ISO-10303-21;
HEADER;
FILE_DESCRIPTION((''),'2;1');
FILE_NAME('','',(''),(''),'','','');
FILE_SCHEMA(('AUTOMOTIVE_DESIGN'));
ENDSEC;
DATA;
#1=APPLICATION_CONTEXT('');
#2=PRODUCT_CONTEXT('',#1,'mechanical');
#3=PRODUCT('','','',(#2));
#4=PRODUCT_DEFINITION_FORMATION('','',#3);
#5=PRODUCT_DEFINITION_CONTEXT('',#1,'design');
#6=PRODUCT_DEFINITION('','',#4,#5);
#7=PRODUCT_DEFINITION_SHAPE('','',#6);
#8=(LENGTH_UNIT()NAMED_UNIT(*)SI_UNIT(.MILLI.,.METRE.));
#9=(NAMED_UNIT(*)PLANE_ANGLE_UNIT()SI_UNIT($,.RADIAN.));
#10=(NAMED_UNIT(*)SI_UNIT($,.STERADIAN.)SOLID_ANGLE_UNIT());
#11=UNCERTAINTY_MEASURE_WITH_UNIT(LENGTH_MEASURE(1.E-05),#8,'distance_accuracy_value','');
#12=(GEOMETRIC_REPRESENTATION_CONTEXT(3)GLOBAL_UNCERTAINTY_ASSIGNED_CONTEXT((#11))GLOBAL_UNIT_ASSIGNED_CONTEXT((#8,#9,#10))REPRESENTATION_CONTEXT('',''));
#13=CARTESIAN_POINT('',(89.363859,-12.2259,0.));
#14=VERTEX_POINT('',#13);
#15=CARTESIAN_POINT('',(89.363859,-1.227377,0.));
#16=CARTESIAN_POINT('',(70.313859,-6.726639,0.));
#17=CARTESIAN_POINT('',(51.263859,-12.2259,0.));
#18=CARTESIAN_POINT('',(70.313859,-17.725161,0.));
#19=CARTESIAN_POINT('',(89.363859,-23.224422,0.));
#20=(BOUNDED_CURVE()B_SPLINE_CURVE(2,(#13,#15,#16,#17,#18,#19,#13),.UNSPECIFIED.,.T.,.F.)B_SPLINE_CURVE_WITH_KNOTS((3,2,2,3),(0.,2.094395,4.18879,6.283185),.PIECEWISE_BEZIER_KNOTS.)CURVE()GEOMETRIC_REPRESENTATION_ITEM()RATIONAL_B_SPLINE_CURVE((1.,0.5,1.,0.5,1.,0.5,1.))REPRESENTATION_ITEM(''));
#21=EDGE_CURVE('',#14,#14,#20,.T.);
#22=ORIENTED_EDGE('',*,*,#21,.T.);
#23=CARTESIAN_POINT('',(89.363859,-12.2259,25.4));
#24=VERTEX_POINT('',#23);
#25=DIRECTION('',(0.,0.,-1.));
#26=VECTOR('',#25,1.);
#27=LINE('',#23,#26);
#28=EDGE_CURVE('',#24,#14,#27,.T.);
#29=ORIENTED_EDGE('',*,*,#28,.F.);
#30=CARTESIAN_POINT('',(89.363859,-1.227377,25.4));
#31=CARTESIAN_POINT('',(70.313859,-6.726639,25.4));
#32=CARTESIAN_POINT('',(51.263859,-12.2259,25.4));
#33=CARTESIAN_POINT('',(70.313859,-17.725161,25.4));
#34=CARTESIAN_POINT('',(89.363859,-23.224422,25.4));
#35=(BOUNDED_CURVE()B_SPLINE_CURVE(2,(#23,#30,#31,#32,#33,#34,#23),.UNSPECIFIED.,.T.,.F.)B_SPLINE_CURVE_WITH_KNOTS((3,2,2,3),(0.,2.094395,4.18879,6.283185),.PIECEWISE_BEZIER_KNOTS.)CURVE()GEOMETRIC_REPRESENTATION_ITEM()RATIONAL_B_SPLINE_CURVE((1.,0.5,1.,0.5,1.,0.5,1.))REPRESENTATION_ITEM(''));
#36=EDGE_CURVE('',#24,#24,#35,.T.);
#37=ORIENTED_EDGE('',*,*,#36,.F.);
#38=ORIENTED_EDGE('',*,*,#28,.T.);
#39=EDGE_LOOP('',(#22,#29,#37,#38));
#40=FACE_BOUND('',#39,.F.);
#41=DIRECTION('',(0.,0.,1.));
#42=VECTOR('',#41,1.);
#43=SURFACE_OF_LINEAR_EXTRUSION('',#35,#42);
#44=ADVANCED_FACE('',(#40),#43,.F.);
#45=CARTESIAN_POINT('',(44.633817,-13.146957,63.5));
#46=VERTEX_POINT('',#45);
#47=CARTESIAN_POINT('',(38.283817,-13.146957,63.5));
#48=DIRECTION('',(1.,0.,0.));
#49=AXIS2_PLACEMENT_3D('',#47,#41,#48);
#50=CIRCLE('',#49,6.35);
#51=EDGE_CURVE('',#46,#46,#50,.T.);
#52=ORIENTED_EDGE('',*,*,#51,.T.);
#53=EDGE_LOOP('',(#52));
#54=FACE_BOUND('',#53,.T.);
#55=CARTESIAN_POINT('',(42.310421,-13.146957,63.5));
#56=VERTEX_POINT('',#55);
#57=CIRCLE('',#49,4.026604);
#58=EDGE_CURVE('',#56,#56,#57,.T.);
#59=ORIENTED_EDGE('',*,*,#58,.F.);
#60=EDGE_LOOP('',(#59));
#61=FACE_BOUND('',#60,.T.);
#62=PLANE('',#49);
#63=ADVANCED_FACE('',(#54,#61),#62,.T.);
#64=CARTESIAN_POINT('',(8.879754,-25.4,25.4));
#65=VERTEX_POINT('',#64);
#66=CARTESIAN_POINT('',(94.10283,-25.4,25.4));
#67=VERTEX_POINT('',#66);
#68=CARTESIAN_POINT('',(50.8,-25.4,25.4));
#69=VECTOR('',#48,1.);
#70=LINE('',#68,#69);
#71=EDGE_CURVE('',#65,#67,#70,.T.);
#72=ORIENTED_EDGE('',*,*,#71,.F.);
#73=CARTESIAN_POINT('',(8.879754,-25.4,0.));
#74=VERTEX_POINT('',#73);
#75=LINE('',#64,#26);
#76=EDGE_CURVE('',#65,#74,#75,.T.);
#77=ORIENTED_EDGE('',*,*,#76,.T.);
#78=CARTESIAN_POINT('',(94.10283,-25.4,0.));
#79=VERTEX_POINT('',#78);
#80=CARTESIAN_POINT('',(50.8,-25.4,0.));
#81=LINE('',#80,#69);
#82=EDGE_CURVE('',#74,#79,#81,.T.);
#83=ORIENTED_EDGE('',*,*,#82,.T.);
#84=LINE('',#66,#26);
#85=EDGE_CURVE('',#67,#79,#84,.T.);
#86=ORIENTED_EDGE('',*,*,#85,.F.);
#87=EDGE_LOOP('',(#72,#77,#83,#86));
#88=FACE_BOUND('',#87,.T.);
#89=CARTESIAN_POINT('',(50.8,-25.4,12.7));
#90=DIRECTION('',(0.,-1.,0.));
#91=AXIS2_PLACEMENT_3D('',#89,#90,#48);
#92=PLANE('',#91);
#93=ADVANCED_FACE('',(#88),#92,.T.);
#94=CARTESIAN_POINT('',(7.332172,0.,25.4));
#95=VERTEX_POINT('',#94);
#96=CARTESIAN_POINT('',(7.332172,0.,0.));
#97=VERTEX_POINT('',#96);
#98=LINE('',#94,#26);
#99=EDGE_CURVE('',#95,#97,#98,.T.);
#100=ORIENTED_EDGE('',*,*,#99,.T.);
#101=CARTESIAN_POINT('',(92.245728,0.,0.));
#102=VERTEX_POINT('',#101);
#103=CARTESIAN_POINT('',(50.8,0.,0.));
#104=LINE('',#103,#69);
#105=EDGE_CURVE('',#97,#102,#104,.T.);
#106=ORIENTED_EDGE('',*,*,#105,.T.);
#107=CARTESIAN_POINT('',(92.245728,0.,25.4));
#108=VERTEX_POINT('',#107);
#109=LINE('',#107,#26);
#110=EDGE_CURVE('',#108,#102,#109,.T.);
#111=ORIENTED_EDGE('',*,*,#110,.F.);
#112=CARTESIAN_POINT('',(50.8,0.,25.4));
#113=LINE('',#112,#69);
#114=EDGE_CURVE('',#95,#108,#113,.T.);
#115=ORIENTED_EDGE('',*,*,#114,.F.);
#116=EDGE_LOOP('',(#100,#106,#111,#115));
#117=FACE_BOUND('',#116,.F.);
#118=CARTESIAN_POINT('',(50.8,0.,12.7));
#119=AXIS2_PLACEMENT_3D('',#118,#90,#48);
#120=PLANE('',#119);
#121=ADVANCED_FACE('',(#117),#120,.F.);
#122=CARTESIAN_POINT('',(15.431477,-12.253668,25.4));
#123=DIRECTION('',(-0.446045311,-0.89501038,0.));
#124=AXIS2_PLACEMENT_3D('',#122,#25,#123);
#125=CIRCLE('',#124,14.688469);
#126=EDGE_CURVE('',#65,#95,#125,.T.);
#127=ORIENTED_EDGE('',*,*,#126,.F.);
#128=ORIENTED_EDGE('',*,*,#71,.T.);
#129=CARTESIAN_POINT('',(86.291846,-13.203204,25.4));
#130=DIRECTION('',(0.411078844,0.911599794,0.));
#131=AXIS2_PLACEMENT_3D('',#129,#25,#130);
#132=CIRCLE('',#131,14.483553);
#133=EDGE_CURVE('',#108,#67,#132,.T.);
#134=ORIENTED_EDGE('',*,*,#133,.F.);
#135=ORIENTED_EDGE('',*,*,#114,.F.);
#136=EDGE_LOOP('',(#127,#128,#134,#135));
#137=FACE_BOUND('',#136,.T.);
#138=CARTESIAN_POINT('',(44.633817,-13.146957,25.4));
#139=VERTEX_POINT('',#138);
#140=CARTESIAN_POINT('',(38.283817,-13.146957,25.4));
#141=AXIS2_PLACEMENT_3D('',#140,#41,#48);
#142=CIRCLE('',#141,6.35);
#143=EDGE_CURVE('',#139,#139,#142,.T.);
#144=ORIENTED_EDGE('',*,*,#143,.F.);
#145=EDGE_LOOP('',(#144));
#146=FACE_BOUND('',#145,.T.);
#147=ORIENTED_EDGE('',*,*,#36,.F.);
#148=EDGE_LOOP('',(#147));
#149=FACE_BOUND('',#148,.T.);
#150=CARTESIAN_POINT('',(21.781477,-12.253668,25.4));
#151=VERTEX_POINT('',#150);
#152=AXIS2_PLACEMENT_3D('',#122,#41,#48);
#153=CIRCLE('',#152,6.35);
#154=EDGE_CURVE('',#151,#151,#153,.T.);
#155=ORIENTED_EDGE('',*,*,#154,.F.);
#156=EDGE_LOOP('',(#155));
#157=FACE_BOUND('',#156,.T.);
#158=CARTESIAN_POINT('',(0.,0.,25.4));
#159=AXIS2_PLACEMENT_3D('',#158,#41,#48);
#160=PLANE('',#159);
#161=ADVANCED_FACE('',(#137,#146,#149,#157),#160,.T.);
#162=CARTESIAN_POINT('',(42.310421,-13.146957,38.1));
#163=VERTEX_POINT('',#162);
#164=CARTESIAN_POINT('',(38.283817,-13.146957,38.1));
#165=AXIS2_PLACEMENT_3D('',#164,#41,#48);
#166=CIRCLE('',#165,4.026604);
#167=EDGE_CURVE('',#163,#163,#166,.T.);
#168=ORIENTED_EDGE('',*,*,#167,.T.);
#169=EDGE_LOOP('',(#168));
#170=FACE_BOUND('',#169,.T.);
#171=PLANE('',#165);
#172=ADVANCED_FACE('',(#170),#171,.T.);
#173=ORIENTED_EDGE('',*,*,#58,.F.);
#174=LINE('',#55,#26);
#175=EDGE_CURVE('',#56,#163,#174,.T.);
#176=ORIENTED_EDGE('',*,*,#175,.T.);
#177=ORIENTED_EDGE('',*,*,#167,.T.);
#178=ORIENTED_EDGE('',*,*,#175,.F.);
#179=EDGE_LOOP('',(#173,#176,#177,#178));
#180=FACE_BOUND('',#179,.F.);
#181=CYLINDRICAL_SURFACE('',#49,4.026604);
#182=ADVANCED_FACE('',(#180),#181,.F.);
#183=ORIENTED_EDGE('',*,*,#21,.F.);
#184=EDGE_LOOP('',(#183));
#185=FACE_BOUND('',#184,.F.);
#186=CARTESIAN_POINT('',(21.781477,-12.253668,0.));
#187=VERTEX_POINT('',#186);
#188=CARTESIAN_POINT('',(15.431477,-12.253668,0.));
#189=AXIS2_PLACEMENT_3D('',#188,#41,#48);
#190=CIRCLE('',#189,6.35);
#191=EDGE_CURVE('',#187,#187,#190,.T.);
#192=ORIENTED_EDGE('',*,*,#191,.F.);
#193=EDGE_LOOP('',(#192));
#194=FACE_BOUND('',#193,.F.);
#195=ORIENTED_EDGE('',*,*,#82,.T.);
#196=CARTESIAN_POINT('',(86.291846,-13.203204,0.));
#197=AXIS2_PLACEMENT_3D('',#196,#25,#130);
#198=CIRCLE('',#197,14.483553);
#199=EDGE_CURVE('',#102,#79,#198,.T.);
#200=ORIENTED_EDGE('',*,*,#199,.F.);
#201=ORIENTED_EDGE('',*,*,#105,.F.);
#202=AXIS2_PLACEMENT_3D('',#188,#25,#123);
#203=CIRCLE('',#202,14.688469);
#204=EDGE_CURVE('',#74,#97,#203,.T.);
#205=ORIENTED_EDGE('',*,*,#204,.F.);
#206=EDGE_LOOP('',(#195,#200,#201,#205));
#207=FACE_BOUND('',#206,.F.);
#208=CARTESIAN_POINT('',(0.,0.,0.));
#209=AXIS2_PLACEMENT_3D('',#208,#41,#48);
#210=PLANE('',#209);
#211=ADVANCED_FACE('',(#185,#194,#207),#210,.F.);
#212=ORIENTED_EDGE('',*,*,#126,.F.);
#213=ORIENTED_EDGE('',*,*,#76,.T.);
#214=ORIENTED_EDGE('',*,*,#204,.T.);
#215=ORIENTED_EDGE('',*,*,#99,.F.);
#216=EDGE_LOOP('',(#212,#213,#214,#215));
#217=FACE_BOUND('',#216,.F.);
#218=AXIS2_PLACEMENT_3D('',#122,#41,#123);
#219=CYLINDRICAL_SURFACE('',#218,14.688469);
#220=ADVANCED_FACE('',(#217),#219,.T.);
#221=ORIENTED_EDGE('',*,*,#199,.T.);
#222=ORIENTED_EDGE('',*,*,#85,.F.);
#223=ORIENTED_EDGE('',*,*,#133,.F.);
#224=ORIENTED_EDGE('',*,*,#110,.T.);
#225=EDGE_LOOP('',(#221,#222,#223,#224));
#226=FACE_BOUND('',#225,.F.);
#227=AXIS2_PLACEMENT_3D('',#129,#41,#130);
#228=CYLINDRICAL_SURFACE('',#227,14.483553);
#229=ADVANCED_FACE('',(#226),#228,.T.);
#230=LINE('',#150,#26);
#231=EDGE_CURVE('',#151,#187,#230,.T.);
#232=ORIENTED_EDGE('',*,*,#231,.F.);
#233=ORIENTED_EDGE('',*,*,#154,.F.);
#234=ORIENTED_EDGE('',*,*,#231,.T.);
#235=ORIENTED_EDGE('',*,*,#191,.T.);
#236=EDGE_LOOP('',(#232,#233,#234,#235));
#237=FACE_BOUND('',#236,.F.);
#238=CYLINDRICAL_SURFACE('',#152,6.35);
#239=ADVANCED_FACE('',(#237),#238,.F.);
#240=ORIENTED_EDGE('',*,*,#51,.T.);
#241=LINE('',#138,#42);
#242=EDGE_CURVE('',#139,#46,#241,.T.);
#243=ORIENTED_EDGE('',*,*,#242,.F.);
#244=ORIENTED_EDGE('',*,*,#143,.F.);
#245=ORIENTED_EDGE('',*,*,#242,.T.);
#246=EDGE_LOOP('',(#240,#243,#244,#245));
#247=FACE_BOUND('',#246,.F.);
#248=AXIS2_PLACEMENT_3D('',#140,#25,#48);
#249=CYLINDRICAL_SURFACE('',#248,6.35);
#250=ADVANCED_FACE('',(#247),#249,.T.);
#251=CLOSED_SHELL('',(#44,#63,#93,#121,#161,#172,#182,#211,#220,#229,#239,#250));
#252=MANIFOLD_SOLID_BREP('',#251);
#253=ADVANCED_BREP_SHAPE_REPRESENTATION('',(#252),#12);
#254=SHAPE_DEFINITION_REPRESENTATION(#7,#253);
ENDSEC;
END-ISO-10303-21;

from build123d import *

# Parameters (mm, degrees)
F0_W      = 101.6
F0_H      = 25.4
F1_DEPTH  = 25.4
F3_DEPTH  = 25.4
F5_DEPTH  = 25.4
F6_R      = 6.35
F7_DEPTH  = 25.4
F9_DEPTH  = 25.4
F10_R     = 6.35
F11_DEPTH = 38.1
F12_R     = 4.026604
F13_DEPTH = 25.4


with BuildPart() as f1:
    # F0 (on Front) → F1 (new body)
    with BuildSketch(Plane.XZ):
        with Locations((50.8, 12.7)):
            Rectangle(F0_W, F0_H)
    extrude(amount=F1_DEPTH)

    # F2 (on face) → F3 (cut)
    with BuildSketch(Plane.XY.offset(25.4)):
        with BuildLine():
            ThreePointArc((92.245728, 0), (100.736841, -12.147069), (94.10283, -25.4))
            Line((94.10283, -25.4), (101.6, -25.4))
            Line((101.6, -25.4), (101.6, 0))
            Line((101.6, 0), (92.245728, 0))
        make_face()
    extrude(amount=-F3_DEPTH, mode=Mode.SUBTRACT)

    # F4 (on face) → F5 (cut)
    with BuildSketch(Plane.XY.offset(25.4)):
        with BuildLine():
            ThreePointArc((8.879754, -25.4), (0.770196, -13.146957), (7.332172, 0))
            Line((7.332172, 0), (0, 0))
            Line((0, 0), (0, -25.4))
            Line((0, -25.4), (8.879754, -25.4))
        make_face()
    extrude(amount=-F5_DEPTH, mode=Mode.SUBTRACT)

    # F6 (on face) → F7 (cut)
    with BuildSketch(Plane.XY.offset(25.4)):
        with Locations((15.431477, -12.253668)):
            Circle(F6_R)
    extrude(amount=-F7_DEPTH, mode=Mode.SUBTRACT)

    # F8 (on face) → F9 (cut)
    with BuildSketch(Plane.XY.offset(25.4)):
        with BuildLine():
            add(Edge.make_bspline(
                [(89.363859, -12.2259), (89.363859, -1.227377), (70.313859, -6.726639), (51.263859, -12.2259), (70.313859, -17.725161), (89.363859, -23.224422), (89.363859, -12.2259)],
                knots=[0, 0, 0, 2.094395, 2.094395, 4.18879, 4.18879, 6.283185, 6.283185, 6.283185], degree=2, weights=[1, 0.5, 1, 0.5, 1, 0.5, 1]))
        make_face()
    extrude(amount=-F9_DEPTH, mode=Mode.SUBTRACT)

    # F10 (on face) → F11 (join)
    with BuildSketch(Plane.XY.offset(25.4)):
        with Locations((38.283817, -13.146957)):
            Circle(F10_R)
    extrude(amount=F11_DEPTH)

    # F12 (on face) → F13 (cut)
    with BuildSketch(Plane.XY.offset(63.5)):
        with Locations((38.283817, -13.146957)):
            Circle(F12_R)
    extrude(amount=-F13_DEPTH, mode=Mode.SUBTRACT)


solid = f1.part
